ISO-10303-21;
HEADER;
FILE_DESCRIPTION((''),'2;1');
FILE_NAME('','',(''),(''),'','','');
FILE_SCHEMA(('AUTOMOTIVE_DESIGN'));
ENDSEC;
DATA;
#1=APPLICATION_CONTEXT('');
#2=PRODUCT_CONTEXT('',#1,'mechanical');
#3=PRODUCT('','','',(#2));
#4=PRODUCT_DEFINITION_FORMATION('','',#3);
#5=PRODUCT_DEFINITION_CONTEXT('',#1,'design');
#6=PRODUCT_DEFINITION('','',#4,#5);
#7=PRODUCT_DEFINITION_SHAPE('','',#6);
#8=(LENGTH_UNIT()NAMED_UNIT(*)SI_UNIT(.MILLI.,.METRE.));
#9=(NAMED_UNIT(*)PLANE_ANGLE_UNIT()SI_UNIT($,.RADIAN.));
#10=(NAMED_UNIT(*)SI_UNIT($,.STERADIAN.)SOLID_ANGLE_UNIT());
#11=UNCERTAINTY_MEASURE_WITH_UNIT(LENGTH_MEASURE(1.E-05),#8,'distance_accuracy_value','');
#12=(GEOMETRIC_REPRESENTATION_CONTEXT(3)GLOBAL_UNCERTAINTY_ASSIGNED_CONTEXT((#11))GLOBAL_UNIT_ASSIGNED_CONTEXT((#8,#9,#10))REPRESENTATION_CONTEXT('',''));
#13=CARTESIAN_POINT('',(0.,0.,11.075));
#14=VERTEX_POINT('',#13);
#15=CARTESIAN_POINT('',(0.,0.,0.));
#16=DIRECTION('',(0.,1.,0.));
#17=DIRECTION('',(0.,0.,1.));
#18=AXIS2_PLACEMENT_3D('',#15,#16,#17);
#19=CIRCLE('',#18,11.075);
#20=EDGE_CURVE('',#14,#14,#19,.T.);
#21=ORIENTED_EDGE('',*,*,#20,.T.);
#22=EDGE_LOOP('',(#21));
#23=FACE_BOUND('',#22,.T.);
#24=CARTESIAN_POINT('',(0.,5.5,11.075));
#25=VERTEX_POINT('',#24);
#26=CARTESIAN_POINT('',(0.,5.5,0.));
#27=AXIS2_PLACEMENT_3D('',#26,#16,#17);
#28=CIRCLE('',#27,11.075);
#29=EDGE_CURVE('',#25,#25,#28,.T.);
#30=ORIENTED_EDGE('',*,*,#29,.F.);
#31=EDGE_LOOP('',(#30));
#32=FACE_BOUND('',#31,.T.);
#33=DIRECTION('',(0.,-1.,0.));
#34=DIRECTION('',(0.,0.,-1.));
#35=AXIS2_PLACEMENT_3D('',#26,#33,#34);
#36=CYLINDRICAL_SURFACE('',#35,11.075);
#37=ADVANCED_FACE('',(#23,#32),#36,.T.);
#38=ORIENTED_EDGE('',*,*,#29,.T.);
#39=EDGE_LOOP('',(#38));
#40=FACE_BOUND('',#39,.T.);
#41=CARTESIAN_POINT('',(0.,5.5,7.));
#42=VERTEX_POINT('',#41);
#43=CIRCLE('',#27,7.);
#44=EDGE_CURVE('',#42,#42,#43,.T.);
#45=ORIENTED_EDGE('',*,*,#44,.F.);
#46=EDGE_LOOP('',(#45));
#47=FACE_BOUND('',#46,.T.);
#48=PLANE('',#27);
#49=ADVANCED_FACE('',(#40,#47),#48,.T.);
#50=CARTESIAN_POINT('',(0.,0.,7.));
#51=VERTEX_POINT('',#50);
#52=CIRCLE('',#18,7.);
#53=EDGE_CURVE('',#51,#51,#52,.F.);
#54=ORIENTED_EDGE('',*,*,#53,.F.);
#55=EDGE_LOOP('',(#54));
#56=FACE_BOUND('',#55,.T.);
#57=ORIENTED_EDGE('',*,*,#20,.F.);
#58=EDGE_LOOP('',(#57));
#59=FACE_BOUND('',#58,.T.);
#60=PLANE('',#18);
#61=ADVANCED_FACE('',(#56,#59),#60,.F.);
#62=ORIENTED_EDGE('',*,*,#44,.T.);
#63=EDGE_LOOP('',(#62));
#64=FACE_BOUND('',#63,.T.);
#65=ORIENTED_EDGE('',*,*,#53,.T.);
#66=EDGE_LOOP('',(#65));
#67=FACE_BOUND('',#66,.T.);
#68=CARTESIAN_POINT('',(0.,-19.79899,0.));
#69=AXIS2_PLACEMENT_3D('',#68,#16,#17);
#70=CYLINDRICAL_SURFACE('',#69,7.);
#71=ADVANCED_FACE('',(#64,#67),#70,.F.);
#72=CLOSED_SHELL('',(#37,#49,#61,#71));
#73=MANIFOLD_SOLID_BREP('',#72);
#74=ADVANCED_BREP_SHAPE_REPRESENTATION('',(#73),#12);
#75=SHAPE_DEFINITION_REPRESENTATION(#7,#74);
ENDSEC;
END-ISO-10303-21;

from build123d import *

# Parameters (mm, degrees)
SKETCH1_R           = 11.075
BOSS_EXTRUDE1_DEPTH = 5.5
SKETCH2_R           = 7
CUT_EXTRUDE1_DEPTH  = 5.5


with BuildPart() as part:
    # Sketch1 → Boss-Extrude1 (new body)
    with BuildSketch(Plane(origin=(0, 0, 0), x_dir=(1, 0, 0), z_dir=(0, 1, 0))):
        Circle(SKETCH1_R)
    extrude(amount=BOSS_EXTRUDE1_DEPTH)

    # Sketch2 → Cut-Extrude1 (cut)
    with BuildSketch(Plane(origin=(0, 5.5, 0), x_dir=(1, 0, 0), z_dir=(0, 1, 0))):
        Circle(SKETCH2_R)
    extrude(amount=-CUT_EXTRUDE1_DEPTH, mode=Mode.SUBTRACT)


solid = part.part
